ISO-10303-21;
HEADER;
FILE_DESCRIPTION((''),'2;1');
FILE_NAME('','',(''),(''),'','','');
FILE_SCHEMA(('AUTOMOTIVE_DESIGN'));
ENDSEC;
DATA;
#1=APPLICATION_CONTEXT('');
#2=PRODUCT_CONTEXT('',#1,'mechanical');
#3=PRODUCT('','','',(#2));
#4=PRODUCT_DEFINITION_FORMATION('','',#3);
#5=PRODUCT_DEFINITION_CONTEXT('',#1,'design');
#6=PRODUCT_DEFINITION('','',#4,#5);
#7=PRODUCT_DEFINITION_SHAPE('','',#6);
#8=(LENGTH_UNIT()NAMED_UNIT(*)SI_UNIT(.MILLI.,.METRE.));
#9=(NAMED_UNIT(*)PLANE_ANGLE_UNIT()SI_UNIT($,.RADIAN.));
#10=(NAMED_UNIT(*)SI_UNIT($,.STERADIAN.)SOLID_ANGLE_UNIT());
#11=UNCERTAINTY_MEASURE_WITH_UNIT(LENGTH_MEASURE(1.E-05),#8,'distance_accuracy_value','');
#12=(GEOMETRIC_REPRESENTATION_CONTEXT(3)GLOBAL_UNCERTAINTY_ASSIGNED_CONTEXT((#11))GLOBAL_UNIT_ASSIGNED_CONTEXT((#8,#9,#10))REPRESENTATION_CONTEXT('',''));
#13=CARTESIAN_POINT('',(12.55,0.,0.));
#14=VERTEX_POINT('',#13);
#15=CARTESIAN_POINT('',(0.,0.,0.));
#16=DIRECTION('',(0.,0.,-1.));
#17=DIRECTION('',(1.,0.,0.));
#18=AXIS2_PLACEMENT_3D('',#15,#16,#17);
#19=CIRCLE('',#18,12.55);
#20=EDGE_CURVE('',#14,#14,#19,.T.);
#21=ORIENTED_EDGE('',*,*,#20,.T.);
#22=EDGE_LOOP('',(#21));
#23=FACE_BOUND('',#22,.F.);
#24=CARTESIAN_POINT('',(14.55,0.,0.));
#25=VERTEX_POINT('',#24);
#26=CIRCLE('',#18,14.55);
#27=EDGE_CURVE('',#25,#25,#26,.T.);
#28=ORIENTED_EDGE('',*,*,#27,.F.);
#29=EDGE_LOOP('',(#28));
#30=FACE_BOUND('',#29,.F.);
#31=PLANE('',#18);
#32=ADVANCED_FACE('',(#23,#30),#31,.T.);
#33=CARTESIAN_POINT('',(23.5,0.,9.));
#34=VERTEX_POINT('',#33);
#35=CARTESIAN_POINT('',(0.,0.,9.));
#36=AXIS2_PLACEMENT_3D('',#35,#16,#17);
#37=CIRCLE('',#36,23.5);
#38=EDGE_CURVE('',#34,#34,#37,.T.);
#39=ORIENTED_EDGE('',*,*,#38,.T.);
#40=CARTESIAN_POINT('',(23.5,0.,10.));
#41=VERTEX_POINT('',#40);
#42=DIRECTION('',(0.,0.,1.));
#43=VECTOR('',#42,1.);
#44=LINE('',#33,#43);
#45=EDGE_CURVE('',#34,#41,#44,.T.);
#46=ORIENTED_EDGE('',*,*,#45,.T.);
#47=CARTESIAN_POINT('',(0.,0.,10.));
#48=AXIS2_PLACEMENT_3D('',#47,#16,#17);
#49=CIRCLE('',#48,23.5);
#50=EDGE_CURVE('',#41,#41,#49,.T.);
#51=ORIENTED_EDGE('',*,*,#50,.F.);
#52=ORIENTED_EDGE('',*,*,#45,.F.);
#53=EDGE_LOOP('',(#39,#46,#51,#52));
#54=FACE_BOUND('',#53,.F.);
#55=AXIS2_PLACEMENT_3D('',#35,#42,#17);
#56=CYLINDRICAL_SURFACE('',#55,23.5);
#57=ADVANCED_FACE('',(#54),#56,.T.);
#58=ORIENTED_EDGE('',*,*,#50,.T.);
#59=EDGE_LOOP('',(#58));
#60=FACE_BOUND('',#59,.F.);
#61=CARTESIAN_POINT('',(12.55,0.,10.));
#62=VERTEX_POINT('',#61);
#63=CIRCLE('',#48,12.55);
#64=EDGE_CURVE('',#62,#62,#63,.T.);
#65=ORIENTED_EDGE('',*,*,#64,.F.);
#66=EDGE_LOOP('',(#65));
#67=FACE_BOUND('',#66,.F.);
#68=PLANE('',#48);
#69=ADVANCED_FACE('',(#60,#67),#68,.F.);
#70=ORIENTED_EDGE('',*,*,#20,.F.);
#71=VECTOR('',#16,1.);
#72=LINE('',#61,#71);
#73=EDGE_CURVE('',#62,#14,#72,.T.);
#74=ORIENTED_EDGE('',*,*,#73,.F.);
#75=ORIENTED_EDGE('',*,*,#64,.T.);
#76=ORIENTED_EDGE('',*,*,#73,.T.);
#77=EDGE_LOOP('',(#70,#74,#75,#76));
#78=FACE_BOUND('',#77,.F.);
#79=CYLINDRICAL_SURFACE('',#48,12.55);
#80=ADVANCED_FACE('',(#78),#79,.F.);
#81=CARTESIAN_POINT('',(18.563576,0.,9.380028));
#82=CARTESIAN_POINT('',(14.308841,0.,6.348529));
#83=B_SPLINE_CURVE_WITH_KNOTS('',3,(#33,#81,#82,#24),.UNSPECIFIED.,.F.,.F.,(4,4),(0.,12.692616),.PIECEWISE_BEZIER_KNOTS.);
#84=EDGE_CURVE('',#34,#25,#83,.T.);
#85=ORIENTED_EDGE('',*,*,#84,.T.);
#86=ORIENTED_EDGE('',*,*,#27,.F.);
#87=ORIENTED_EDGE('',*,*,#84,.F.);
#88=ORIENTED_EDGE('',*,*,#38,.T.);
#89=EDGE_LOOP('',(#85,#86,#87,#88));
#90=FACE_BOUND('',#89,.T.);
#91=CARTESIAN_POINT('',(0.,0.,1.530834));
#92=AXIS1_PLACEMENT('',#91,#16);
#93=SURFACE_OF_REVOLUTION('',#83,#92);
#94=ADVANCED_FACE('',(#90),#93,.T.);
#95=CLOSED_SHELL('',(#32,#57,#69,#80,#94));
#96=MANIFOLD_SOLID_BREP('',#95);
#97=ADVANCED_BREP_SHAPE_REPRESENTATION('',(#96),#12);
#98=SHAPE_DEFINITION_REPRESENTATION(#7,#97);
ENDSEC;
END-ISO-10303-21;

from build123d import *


with BuildPart() as f1:
    # F0 (on Front) → F1 (revolve)
    with BuildSketch(Plane.XZ):
        with BuildLine():
            Line((23.5, 10), (12.55, 10))
            Line((12.55, 10), (12.55, 0))
            Line((12.55, 0), (14.55, 0))
            add(Edge.make_bspline(
                [(23.5, 9), (18.563576, 9.380028), (14.308841, 6.348529), (14.55, 0)],
                knots=[0, 0, 0, 0, 12.692616, 12.692616, 12.692616, 12.692616], degree=3))
            Line((23.5, 9), (23.5, 10))
        make_face()
    revolve(axis=Axis((0, 0, 1.530834), (0, 0, -1)))


solid = f1.part
